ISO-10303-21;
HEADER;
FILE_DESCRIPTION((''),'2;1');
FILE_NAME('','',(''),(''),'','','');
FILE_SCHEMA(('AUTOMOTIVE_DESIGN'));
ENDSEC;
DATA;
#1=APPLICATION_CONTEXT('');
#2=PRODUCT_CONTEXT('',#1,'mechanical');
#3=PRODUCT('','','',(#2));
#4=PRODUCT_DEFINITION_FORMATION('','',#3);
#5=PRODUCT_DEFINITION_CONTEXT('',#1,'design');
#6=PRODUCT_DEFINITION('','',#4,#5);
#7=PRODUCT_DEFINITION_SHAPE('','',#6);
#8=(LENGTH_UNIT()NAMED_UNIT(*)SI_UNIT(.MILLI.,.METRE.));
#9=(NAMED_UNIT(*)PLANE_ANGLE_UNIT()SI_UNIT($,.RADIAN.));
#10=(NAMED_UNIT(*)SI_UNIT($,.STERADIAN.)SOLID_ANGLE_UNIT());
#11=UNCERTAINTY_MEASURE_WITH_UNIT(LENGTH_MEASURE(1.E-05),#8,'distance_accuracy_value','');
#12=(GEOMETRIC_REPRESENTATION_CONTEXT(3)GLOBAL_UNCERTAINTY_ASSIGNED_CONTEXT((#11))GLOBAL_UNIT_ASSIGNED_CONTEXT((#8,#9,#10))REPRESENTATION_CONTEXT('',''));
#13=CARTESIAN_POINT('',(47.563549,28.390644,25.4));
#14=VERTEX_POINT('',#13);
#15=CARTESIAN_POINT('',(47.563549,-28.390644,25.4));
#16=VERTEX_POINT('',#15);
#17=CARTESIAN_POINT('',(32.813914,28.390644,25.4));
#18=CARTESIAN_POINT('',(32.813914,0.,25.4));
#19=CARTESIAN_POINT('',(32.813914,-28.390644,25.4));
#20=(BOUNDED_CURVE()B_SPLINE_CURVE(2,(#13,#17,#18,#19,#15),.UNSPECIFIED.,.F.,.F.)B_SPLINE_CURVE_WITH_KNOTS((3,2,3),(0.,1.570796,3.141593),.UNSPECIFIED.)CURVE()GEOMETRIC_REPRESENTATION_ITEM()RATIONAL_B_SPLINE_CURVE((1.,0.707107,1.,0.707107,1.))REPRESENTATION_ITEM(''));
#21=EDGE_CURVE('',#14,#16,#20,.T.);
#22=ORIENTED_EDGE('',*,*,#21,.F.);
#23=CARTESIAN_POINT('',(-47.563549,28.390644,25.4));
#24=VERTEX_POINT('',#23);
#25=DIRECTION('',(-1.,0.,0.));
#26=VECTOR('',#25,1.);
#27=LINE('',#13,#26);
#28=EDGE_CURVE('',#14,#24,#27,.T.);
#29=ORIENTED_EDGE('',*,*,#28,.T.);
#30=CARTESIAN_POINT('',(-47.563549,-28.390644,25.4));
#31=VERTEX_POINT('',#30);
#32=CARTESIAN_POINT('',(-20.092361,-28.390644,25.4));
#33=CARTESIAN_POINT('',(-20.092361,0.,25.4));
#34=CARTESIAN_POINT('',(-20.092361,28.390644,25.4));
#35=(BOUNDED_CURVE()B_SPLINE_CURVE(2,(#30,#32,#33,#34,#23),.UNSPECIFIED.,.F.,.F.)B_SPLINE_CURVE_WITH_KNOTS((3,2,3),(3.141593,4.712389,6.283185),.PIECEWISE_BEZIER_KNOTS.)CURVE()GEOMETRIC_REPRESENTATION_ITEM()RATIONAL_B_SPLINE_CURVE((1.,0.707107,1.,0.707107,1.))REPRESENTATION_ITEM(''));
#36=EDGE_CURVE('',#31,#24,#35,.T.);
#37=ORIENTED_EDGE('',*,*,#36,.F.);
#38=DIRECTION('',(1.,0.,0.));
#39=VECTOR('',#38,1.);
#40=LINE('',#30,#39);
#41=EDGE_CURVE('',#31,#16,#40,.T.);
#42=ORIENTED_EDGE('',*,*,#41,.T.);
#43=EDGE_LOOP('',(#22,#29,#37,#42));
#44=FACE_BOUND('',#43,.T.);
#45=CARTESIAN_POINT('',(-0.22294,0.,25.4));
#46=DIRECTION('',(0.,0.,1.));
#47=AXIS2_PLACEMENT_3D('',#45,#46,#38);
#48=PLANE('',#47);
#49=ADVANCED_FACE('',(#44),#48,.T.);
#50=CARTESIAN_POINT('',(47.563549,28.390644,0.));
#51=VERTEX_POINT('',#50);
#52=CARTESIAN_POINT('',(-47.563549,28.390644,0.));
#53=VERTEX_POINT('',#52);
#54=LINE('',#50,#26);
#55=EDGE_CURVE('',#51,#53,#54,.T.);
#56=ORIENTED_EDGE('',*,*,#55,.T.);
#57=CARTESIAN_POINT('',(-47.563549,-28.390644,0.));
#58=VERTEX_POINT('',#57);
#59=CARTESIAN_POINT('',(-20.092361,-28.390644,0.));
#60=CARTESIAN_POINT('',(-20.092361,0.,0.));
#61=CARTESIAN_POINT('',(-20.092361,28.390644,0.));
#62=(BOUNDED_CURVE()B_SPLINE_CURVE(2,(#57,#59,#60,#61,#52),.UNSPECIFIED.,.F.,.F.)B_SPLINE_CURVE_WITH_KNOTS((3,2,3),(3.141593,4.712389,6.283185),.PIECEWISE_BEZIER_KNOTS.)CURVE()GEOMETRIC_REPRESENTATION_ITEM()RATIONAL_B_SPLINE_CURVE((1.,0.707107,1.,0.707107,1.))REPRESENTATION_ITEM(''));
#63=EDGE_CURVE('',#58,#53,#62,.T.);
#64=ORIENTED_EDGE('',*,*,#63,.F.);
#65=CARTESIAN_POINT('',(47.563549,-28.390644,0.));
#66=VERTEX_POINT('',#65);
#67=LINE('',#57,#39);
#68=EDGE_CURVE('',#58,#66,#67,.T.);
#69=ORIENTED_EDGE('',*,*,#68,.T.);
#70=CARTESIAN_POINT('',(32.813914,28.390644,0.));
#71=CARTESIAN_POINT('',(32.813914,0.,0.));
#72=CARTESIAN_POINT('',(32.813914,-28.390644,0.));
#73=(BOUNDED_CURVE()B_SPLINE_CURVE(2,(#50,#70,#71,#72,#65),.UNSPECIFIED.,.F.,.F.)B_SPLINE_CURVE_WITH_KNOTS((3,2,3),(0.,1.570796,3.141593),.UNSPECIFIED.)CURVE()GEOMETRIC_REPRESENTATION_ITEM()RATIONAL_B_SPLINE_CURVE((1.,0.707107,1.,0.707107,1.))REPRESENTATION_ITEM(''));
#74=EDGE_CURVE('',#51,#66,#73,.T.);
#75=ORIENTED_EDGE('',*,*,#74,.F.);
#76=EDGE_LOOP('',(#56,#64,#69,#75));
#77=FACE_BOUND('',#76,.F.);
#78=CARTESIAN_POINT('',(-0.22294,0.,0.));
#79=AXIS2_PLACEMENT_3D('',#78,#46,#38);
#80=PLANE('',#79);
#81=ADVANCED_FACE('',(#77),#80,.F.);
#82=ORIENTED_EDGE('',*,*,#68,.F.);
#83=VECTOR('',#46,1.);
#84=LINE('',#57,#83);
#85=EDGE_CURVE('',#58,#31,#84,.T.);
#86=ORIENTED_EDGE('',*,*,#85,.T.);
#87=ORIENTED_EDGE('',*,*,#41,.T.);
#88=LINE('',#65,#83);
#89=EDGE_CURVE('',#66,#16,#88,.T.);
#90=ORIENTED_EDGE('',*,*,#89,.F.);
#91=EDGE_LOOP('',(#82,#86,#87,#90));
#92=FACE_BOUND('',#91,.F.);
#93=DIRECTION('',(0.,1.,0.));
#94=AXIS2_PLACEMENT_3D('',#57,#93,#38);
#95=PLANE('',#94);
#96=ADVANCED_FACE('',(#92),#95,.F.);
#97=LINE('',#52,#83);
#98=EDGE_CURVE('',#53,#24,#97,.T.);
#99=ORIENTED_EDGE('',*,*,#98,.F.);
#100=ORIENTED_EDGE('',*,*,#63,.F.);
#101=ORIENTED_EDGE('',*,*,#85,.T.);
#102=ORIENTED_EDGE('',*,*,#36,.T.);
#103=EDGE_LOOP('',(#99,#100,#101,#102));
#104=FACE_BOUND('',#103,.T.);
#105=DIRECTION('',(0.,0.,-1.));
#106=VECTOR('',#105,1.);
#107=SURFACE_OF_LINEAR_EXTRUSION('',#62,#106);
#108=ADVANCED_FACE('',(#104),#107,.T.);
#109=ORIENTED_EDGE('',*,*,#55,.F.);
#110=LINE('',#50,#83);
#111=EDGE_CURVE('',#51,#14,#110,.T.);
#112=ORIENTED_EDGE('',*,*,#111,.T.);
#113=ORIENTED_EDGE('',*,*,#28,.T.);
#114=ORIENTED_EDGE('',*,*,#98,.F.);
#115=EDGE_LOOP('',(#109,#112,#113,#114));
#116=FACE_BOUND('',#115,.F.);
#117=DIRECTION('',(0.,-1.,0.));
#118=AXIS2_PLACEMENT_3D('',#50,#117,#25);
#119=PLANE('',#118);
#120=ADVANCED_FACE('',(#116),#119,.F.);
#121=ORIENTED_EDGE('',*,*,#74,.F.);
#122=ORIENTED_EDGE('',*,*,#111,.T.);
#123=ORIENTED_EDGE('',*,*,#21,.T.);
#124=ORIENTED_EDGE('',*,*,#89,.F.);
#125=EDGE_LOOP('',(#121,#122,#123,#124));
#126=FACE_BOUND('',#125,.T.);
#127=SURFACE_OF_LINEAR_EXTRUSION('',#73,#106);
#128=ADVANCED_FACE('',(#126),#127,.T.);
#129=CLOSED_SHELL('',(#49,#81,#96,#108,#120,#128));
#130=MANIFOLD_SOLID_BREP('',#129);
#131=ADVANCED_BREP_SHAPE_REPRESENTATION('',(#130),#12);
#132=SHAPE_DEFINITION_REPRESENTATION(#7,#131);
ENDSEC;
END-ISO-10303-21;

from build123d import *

# Parameters (mm, degrees)
F1_DEPTH = 25.4


with BuildPart() as f1:
    # F0 (on Top) → F1 (new body)
    with BuildSketch(Plane.XY):
        with BuildLine():
            Line((47.563549, 28.390644), (-47.563549, 28.390644))
            add(Edge.make_bspline(
                [(-47.563549, -28.390644), (-20.092361, -28.390644), (-20.092361, 0), (-20.092361, 28.390644), (-47.563549, 28.390644)],
                knots=[3.141593, 3.141593, 3.141593, 4.712389, 4.712389, 6.283185, 6.283185, 6.283185], degree=2, weights=[1, 0.707107, 1, 0.707107, 1]))
            Line((-47.563549, -28.390644), (47.563549, -28.390644))
            add(Edge.make_bspline(
                [(47.563549, 28.390644), (32.813914, 28.390644), (32.813914, 0), (32.813914, -28.390644), (47.563549, -28.390644)],
                knots=[0, 0, 0, 1.570796, 1.570796, 3.141593, 3.141593, 3.141593], degree=2, weights=[1, 0.707107, 1, 0.707107, 1]))
        make_face()
    extrude(amount=F1_DEPTH)


solid = f1.part
